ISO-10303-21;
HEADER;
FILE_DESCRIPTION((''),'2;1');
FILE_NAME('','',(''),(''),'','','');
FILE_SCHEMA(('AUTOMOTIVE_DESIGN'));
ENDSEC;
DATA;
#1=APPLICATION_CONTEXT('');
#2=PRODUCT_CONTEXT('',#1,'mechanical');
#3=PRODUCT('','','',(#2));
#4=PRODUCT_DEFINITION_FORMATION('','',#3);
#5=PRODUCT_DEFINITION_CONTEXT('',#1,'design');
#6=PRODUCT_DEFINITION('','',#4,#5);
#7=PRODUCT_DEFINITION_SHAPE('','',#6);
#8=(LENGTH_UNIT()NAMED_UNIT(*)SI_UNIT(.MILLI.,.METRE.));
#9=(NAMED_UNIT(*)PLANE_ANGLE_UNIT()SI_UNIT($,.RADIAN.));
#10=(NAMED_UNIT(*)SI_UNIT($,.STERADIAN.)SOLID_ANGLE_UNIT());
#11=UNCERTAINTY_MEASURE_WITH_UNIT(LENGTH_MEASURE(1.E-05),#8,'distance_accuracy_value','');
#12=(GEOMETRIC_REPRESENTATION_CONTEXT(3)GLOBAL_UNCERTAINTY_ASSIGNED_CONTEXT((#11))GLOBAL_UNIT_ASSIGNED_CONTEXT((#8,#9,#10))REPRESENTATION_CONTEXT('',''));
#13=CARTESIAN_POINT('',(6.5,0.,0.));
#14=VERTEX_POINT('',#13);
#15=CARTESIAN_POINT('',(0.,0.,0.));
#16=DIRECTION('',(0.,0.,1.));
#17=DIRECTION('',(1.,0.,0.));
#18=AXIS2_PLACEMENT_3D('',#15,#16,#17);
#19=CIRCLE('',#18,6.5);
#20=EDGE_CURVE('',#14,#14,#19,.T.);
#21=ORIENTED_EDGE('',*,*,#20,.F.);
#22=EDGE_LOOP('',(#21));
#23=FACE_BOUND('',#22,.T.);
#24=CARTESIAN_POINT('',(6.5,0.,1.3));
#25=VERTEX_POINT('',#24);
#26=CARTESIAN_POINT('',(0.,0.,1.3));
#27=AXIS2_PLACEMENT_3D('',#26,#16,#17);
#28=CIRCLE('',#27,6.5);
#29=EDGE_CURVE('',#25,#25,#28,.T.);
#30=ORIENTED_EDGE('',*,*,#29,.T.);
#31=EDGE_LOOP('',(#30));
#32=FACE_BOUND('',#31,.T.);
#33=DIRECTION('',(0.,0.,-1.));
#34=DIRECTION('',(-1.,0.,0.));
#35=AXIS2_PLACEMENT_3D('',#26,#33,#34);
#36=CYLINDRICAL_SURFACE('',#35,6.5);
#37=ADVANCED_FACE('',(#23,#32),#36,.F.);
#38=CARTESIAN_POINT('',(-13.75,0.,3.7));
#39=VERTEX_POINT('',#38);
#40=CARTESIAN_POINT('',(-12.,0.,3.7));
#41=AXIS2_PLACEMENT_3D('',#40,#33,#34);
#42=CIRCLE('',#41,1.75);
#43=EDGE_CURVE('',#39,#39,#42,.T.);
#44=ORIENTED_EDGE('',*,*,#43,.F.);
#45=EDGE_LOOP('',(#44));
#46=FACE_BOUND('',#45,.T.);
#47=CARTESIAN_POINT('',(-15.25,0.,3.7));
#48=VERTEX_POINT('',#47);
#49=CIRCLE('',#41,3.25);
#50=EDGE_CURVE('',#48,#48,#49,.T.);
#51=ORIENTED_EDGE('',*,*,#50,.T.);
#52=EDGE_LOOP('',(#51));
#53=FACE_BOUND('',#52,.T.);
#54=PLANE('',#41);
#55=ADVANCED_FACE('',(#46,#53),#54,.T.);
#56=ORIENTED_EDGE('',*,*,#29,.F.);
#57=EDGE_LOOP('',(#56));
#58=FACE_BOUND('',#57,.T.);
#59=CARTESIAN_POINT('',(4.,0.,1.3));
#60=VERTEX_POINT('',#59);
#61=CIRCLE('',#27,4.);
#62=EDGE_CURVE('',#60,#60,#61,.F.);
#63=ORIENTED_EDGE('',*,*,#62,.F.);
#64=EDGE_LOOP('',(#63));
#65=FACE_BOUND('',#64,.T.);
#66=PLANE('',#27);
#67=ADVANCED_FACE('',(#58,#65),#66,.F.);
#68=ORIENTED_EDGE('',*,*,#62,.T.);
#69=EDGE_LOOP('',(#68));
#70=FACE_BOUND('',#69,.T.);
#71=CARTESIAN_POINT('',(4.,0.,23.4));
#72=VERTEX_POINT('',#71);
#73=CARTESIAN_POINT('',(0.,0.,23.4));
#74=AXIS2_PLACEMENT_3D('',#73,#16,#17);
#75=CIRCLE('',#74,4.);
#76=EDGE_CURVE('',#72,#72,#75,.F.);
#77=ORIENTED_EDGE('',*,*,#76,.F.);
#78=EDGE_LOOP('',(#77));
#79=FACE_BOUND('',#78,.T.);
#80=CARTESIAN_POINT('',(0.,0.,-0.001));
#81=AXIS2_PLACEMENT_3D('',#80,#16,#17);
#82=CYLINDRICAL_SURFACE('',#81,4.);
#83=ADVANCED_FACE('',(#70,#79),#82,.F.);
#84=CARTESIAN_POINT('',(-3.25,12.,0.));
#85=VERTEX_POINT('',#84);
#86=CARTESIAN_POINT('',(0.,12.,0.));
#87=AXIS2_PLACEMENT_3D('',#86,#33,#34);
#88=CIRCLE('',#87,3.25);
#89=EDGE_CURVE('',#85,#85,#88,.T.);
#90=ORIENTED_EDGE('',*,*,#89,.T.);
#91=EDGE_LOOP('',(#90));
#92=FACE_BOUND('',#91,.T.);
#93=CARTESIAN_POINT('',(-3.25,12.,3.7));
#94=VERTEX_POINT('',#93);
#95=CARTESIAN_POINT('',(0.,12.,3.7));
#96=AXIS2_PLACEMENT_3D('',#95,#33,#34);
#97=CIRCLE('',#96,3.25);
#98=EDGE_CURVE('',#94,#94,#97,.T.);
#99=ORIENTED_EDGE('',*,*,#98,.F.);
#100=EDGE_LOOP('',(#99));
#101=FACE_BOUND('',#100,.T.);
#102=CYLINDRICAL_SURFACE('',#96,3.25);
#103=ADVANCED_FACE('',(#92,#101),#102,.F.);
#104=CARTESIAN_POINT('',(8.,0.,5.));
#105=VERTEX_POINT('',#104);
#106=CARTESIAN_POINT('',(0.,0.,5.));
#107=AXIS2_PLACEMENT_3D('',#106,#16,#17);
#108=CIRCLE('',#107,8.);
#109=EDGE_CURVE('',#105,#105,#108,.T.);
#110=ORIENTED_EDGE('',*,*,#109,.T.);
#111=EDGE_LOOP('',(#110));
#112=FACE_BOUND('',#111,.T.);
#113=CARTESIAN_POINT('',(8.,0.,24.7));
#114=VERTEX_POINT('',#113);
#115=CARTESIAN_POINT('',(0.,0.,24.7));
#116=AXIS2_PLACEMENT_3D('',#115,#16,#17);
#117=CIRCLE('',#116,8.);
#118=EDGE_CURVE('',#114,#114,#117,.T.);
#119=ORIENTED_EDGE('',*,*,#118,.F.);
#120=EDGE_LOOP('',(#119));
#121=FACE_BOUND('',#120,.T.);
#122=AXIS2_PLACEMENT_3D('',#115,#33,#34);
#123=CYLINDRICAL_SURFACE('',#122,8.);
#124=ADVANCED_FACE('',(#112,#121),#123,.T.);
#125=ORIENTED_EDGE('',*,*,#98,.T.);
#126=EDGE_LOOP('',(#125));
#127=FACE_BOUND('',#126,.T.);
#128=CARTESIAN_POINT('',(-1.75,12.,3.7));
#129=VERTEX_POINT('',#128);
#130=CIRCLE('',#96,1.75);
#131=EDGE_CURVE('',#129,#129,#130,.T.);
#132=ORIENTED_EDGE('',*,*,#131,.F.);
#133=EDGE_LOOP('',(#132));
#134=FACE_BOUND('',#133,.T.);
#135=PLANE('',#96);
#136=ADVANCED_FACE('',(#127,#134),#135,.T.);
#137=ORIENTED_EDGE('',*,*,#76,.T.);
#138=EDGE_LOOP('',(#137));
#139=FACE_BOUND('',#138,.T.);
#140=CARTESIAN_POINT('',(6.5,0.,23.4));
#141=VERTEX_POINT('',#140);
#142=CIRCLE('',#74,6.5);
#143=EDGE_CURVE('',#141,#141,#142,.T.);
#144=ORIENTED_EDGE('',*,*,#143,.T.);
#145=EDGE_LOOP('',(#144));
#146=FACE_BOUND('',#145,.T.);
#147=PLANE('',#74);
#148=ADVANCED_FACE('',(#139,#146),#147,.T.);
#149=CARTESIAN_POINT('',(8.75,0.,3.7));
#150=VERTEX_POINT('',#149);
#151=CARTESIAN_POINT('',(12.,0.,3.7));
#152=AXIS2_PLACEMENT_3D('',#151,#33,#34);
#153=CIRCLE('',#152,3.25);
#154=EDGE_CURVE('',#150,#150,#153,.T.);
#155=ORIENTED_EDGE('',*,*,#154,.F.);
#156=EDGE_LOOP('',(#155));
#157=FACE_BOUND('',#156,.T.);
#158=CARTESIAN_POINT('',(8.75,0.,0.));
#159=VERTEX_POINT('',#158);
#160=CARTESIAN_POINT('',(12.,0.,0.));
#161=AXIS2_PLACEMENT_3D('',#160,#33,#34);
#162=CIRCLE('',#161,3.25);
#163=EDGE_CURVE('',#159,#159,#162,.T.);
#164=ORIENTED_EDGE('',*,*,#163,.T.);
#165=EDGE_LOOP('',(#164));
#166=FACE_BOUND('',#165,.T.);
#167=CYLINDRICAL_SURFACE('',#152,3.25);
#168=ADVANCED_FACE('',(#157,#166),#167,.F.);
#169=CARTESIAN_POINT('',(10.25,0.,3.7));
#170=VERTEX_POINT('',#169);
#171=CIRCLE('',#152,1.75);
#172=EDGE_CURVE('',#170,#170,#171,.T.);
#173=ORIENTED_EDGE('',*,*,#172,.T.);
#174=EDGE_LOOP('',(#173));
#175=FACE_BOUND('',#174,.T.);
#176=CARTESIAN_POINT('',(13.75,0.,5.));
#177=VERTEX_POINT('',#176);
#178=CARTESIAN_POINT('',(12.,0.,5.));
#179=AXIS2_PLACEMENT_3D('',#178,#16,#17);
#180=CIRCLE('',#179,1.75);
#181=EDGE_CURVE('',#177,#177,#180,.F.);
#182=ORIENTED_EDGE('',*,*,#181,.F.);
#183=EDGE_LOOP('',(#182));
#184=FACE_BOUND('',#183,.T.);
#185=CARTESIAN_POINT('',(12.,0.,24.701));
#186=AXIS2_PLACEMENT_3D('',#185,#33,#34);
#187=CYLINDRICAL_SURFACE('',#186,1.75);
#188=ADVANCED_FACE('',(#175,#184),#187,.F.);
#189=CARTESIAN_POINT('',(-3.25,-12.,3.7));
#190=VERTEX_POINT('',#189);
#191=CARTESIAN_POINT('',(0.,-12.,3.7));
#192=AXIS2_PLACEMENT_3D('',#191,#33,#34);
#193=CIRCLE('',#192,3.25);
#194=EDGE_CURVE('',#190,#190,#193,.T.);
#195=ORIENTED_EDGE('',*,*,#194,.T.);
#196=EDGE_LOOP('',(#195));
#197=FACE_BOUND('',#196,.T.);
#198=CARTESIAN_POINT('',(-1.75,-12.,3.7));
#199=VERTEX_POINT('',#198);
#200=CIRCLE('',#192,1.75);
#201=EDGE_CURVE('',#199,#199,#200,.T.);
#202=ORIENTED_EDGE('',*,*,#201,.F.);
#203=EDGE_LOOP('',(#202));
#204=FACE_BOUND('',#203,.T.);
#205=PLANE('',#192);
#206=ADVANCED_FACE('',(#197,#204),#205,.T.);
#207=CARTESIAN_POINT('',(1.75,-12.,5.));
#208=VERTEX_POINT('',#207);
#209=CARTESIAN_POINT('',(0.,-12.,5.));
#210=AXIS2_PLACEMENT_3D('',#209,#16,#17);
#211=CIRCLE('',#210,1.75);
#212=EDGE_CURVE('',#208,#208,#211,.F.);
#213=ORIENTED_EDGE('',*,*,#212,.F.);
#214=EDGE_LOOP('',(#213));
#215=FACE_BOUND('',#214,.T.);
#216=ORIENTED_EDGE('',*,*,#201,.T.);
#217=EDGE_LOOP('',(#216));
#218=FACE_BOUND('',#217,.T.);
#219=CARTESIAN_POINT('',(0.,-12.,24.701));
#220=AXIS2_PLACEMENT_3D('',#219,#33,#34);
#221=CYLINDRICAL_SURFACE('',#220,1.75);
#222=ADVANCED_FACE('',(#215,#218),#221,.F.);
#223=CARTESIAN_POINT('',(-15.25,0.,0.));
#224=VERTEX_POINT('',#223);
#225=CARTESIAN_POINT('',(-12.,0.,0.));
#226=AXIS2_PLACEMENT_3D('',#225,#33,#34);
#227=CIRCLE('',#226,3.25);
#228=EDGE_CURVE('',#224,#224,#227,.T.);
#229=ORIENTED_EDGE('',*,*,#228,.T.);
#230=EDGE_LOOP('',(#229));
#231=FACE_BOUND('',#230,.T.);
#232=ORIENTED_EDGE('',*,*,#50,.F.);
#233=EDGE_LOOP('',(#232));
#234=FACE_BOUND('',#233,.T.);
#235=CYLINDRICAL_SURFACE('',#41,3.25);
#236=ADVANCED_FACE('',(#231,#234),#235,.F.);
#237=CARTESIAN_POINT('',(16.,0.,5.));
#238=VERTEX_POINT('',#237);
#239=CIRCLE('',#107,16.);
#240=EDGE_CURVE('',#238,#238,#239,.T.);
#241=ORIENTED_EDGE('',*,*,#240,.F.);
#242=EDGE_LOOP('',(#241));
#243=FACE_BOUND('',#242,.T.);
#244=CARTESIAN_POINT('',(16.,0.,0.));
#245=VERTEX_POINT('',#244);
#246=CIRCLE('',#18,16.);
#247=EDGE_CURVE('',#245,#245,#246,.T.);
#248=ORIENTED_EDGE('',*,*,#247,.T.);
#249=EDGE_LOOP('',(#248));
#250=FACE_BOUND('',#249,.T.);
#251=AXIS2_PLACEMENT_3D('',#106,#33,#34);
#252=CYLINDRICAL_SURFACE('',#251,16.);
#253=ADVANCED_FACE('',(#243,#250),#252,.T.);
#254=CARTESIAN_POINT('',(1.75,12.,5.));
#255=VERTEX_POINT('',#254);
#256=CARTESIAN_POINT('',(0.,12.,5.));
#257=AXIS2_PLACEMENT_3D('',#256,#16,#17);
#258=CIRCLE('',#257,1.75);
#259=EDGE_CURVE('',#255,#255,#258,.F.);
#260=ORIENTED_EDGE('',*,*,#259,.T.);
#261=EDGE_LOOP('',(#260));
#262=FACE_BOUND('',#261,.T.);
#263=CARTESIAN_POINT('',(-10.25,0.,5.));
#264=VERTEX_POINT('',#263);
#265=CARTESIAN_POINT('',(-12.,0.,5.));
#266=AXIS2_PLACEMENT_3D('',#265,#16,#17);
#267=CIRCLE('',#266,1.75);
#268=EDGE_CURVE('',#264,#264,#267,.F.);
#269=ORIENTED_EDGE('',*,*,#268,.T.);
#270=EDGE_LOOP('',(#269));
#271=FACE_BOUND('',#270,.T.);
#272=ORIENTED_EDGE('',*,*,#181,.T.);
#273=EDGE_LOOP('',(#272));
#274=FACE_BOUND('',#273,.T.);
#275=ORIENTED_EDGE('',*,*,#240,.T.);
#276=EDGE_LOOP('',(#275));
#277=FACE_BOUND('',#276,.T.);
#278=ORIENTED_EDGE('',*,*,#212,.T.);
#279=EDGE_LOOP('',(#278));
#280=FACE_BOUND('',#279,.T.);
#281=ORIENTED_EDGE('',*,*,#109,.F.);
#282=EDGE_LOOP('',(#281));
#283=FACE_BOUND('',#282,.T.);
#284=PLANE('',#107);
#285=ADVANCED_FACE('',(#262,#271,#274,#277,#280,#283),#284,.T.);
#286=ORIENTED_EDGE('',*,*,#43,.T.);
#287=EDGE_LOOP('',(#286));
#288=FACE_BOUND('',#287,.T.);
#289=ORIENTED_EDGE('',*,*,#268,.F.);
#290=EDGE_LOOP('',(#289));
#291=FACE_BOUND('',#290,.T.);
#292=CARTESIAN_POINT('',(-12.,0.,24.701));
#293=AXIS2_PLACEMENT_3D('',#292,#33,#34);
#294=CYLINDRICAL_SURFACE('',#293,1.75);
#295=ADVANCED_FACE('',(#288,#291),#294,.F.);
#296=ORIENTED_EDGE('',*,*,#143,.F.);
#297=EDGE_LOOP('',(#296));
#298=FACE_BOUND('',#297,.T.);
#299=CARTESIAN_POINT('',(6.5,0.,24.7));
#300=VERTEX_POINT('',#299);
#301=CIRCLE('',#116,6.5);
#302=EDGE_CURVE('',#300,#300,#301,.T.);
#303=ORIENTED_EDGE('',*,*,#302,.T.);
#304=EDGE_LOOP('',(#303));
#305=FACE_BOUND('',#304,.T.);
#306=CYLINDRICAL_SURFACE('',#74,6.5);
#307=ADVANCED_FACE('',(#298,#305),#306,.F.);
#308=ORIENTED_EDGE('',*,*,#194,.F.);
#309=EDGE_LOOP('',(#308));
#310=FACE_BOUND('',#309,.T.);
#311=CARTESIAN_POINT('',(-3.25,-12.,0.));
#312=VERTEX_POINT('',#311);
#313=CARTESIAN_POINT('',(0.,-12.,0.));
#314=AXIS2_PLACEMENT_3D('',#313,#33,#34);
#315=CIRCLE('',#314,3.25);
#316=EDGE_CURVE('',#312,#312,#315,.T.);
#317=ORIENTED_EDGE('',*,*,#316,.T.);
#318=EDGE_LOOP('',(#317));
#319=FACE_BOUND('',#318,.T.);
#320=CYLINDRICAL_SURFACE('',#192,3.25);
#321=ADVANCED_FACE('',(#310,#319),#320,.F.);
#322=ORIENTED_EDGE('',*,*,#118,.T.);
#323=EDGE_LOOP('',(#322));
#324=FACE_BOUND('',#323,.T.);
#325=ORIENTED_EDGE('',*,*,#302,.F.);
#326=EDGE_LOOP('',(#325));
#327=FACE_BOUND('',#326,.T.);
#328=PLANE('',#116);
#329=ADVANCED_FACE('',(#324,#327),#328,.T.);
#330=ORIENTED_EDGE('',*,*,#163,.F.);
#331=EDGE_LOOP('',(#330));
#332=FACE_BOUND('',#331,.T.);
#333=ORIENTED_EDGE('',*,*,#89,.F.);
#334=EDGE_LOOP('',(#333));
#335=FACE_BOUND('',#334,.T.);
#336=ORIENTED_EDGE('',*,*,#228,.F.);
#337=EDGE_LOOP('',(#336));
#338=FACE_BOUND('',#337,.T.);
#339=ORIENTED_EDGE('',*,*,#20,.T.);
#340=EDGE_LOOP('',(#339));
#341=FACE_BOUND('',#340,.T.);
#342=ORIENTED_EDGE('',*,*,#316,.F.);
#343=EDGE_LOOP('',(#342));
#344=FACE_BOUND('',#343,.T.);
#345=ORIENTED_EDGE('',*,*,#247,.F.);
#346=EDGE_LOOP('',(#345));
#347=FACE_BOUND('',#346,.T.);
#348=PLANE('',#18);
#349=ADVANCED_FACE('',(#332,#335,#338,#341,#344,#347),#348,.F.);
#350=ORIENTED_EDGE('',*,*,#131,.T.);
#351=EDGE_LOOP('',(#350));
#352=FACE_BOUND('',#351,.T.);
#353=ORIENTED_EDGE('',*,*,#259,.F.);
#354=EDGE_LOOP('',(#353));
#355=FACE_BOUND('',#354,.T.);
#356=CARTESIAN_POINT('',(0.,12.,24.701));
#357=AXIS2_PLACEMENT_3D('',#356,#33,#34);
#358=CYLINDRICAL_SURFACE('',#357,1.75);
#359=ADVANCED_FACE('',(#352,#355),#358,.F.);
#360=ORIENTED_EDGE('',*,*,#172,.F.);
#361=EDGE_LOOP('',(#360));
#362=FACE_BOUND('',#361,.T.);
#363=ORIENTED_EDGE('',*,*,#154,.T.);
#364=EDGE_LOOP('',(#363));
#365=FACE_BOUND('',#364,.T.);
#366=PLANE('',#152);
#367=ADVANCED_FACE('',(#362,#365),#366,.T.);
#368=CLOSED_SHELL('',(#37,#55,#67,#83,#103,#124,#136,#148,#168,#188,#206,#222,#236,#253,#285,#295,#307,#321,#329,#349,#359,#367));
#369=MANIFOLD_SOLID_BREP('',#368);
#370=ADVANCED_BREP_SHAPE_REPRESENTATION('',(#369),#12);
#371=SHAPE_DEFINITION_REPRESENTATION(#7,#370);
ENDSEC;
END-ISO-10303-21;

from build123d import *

# Parameters (mm, degrees)
IZIM1_R                     = 16
Y_KSEKLIK_EKSTR_ZYON1_DEPTH = 5
IZIM2_R                     = 8
Y_KSEKLIK_EKSTR_ZYON2_DEPTH = 19.7
KES_EKSTR_ZYON1_REACH       = 35.498
IZIM3_R                     = 4
KES_EKSTR_ZYON2_REACH       = 35.498
IZIM4_R                     = 1.75
IZIM4_3_R                   = 3.25
IZIM4_3_R_2                 = 1.75
KES_EKSTR_ZYON3_DEPTH       = 3.7
IZIM5_R                     = 6.5
KES_EKSTR_ZYON4_DEPTH       = 1.3
KES_EKSTR_ZYON5_START       = -23.4
IZIM5_2_R                   = 6.5
KES_EKSTR_ZYON5_DEPTH       = 1.3


with BuildPart() as part:
    # Çizim1 → Yükseklik-Ekstrüzyon1 (new body)
    with BuildSketch(Plane.XY):
        Circle(IZIM1_R)
    extrude(amount=Y_KSEKLIK_EKSTR_ZYON1_DEPTH)

    # Çizim2 → Yükseklik-Ekstrüzyon2 (add)
    with BuildSketch(Plane.XY.offset(5)):
        Circle(IZIM2_R)
    extrude(amount=Y_KSEKLIK_EKSTR_ZYON2_DEPTH)

    # Çizim3 → Kes-Ekstrüzyon1 (cut, up to next)
    with BuildSketch(Plane.XY.offset(24.7), mode=Mode.PRIVATE) as kes_ekstr_zyon1_sk1:
        Circle(IZIM3_R)
    kes_ekstr_zyon1_tool1 = extrude(kes_ekstr_zyon1_sk1.sketch, amount=-KES_EKSTR_ZYON1_REACH, mode=Mode.PRIVATE) & part.part
    add(kes_ekstr_zyon1_tool1.solids().sort_by_distance((0, 0, 24.7))[0], mode=Mode.SUBTRACT)

    # Çizim4 → Kes-Ekstrüzyon2 (cut, up to next)
    with BuildSketch(Plane(origin=(0, 0, 0), x_dir=(-1, 0, 0), z_dir=(0, 0, -1)), mode=Mode.PRIVATE) as kes_ekstr_zyon2_sk1:
        with Locations((0, 12)):
            Circle(IZIM4_R)
    kes_ekstr_zyon2_tool1 = extrude(kes_ekstr_zyon2_sk1.sketch, amount=-KES_EKSTR_ZYON2_REACH, mode=Mode.PRIVATE) & part.part
    # Çizim4 → Kes-Ekstrüzyon2 (cut, up to next)
    with BuildSketch(Plane(origin=(0, 0, 0), x_dir=(-1, 0, 0), z_dir=(0, 0, -1)), mode=Mode.PRIVATE) as kes_ekstr_zyon2_sk2:
        with Locations((12, 0)):
            Circle(IZIM4_R)
    kes_ekstr_zyon2_tool2 = extrude(kes_ekstr_zyon2_sk2.sketch, amount=-KES_EKSTR_ZYON2_REACH, mode=Mode.PRIVATE) & part.part
    # Çizim4 → Kes-Ekstrüzyon2 (cut, up to next)
    with BuildSketch(Plane(origin=(0, 0, 0), x_dir=(-1, 0, 0), z_dir=(0, 0, -1)), mode=Mode.PRIVATE) as kes_ekstr_zyon2_sk3:
        with Locations((0, -12)):
            Circle(IZIM4_R)
    kes_ekstr_zyon2_tool3 = extrude(kes_ekstr_zyon2_sk3.sketch, amount=-KES_EKSTR_ZYON2_REACH, mode=Mode.PRIVATE) & part.part
    # Çizim4 → Kes-Ekstrüzyon2 (cut, up to next)
    with BuildSketch(Plane(origin=(0, 0, 0), x_dir=(-1, 0, 0), z_dir=(0, 0, -1)), mode=Mode.PRIVATE) as kes_ekstr_zyon2_sk4:
        with Locations((-12, 0)):
            Circle(IZIM4_R)
    kes_ekstr_zyon2_tool4 = extrude(kes_ekstr_zyon2_sk4.sketch, amount=-KES_EKSTR_ZYON2_REACH, mode=Mode.PRIVATE) & part.part
    add(kes_ekstr_zyon2_tool1.solids().sort_by_distance((0, 12, 0))[0], mode=Mode.SUBTRACT)
    add(kes_ekstr_zyon2_tool2.solids().sort_by_distance((-12, 0, 0))[0], mode=Mode.SUBTRACT)
    add(kes_ekstr_zyon2_tool3.solids().sort_by_distance((0, -12, 0))[0], mode=Mode.SUBTRACT)
    add(kes_ekstr_zyon2_tool4.solids().sort_by_distance((12, 0, 0))[0], mode=Mode.SUBTRACT)

    # Çizim4<3> → Kes-Ekstrüzyon3 (cut)
    # profile 1 of 4: a face of its own
    with BuildSketch(Plane(origin=(0, 0, 0), x_dir=(-1, 0, 0), z_dir=(0, 0, -1))):
        with Locations((0, 12)):
            Circle(IZIM4_3_R)
        with Locations((0, 12)):
            Circle(IZIM4_3_R_2, mode=Mode.SUBTRACT)
    # profile 2 of 4: a face of its own
    with BuildSketch(Plane(origin=(0, 0, 0), x_dir=(-1, 0, 0), z_dir=(0, 0, -1))):
        with Locations((12, 0)):
            Circle(IZIM4_3_R)
        with Locations((12, 0)):
            Circle(IZIM4_3_R_2, mode=Mode.SUBTRACT)
    # profile 3 of 4: a face of its own
    with BuildSketch(Plane(origin=(0, 0, 0), x_dir=(-1, 0, 0), z_dir=(0, 0, -1))):
        with Locations((0, -12)):
            Circle(IZIM4_3_R)
        with Locations((0, -12)):
            Circle(IZIM4_3_R_2, mode=Mode.SUBTRACT)
    # profile 4 of 4: a face of its own
    with BuildSketch(Plane(origin=(0, 0, 0), x_dir=(-1, 0, 0), z_dir=(0, 0, -1))):
        with Locations((-12, 0)):
            Circle(IZIM4_3_R)
        with Locations((-12, 0)):
            Circle(IZIM4_3_R_2, mode=Mode.SUBTRACT)
    extrude(amount=-KES_EKSTR_ZYON3_DEPTH, mode=Mode.SUBTRACT)

    # Çizim5 → Kes-Ekstrüzyon4 (cut)
    with BuildSketch(Plane.XY.offset(24.7)):
        Circle(IZIM5_R)
    extrude(amount=-KES_EKSTR_ZYON4_DEPTH, mode=Mode.SUBTRACT)

    # Çizim5<2> → Kes-Ekstrüzyon5 (cut)
    with BuildSketch(Plane.XY.offset(24.7).offset(KES_EKSTR_ZYON5_START)):
        Circle(IZIM5_2_R)
    extrude(amount=-KES_EKSTR_ZYON5_DEPTH, mode=Mode.SUBTRACT)


solid = part.part
